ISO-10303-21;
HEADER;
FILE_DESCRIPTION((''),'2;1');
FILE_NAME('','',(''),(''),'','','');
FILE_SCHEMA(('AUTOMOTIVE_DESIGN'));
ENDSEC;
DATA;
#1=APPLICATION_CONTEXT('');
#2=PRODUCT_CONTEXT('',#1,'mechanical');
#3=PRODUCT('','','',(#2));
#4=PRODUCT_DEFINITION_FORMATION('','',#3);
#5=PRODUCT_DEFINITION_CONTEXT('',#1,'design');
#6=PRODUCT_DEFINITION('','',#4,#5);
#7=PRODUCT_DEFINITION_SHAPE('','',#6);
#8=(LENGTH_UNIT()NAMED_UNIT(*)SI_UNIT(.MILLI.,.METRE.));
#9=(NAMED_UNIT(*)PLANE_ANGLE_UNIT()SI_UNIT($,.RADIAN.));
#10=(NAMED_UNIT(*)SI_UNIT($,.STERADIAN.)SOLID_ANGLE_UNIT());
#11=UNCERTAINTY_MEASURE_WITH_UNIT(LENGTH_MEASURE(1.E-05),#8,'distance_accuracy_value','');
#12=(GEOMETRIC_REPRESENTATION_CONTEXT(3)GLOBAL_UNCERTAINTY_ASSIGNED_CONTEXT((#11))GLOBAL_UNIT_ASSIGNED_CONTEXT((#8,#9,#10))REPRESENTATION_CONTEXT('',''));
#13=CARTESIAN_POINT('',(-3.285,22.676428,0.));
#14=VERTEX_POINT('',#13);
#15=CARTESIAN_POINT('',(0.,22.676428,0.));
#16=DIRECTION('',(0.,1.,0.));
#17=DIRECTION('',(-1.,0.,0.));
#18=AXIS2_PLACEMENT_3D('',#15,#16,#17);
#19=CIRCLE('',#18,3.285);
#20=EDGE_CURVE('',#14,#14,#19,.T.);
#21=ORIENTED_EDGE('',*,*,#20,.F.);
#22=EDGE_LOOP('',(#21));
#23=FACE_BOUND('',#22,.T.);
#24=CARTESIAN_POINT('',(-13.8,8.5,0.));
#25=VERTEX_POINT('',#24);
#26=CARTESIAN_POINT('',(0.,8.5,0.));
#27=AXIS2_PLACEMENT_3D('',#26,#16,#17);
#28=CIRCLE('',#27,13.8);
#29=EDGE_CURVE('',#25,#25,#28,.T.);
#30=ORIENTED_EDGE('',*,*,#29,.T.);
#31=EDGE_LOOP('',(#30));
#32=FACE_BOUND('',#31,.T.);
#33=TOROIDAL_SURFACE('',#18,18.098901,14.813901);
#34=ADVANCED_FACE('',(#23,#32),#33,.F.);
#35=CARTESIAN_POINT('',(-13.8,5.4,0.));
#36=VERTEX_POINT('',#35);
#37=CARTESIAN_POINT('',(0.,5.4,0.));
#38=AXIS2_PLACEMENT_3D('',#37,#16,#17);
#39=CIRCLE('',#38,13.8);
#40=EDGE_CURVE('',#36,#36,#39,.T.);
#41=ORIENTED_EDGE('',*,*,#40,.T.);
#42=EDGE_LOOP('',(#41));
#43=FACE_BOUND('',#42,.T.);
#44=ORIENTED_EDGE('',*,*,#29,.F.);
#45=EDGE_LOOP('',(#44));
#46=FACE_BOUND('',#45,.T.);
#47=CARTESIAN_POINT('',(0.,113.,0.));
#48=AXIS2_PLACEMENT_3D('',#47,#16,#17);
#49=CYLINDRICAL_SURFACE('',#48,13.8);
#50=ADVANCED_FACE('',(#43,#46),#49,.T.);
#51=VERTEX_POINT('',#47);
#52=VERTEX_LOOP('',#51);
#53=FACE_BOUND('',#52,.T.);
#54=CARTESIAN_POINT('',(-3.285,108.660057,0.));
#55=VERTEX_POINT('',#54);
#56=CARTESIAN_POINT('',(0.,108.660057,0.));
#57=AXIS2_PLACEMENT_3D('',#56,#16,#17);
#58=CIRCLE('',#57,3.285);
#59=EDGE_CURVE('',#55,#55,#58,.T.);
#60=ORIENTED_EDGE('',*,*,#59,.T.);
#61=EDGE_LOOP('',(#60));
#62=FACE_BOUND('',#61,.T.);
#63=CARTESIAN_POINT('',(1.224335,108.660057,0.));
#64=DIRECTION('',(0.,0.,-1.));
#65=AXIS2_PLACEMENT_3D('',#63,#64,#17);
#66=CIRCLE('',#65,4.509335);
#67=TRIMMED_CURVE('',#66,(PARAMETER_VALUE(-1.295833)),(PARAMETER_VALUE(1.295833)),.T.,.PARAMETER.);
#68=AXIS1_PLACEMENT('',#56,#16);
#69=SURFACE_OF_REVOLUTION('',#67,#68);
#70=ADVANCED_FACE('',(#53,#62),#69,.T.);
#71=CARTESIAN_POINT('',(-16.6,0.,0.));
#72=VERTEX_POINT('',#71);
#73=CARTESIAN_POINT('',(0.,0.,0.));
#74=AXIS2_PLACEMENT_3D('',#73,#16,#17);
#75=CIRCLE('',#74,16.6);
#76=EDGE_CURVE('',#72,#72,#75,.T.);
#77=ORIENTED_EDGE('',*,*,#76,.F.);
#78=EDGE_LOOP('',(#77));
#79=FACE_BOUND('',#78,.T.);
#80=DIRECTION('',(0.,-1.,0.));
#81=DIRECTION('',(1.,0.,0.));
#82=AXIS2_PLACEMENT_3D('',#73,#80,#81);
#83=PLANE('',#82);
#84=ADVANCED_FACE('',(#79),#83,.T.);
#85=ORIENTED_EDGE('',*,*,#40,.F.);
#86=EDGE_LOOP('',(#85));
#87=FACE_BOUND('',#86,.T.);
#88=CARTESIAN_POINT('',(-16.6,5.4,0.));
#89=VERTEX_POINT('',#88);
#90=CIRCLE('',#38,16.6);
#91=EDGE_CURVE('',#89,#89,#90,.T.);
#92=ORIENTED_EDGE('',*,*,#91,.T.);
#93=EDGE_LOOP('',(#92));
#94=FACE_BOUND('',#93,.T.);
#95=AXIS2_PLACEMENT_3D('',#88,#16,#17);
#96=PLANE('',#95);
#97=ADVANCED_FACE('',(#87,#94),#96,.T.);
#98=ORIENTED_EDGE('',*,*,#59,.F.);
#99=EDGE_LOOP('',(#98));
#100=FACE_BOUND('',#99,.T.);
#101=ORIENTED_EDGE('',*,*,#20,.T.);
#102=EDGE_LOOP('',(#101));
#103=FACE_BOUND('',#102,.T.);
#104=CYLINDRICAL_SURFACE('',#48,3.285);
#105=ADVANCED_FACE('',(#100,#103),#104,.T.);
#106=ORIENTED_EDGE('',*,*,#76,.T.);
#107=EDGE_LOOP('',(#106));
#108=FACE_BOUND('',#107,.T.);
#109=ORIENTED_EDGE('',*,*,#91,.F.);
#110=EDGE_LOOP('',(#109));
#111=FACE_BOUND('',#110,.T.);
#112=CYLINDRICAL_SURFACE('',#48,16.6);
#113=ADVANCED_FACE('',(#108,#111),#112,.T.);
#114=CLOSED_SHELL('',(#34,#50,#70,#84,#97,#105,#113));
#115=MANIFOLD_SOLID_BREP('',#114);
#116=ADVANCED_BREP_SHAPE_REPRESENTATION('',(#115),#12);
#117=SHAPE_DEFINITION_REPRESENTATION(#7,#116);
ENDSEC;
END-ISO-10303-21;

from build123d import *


with BuildPart() as part:
    # Sketch1 → Revolve1 (revolve)
    with BuildSketch(Plane.XY):
        with BuildLine():
            Line((0, 0), (-16.6, 0))
            Line((-16.6, 0), (-16.6, 5.4))
            Line((-16.6, 5.4), (-13.8, 5.4))
            Line((-13.8, 5.4), (-13.8, 8.5))
            ThreePointArc((-13.8, 8.5), (-6.200683561, 13.851231998), (-3.285, 22.676427952))
            Line((-3.285, 22.676427952), (-3.285, 108.660056657))
            ThreePointArc((-3.285, 108.660056657), (-2.371150985, 111.381560525), (0, 113))
            Line((0, 113), (0, 0))
        make_face()
    revolve(axis=Axis((0, 113, 0), (0, -1, 0)))


solid = part.part
